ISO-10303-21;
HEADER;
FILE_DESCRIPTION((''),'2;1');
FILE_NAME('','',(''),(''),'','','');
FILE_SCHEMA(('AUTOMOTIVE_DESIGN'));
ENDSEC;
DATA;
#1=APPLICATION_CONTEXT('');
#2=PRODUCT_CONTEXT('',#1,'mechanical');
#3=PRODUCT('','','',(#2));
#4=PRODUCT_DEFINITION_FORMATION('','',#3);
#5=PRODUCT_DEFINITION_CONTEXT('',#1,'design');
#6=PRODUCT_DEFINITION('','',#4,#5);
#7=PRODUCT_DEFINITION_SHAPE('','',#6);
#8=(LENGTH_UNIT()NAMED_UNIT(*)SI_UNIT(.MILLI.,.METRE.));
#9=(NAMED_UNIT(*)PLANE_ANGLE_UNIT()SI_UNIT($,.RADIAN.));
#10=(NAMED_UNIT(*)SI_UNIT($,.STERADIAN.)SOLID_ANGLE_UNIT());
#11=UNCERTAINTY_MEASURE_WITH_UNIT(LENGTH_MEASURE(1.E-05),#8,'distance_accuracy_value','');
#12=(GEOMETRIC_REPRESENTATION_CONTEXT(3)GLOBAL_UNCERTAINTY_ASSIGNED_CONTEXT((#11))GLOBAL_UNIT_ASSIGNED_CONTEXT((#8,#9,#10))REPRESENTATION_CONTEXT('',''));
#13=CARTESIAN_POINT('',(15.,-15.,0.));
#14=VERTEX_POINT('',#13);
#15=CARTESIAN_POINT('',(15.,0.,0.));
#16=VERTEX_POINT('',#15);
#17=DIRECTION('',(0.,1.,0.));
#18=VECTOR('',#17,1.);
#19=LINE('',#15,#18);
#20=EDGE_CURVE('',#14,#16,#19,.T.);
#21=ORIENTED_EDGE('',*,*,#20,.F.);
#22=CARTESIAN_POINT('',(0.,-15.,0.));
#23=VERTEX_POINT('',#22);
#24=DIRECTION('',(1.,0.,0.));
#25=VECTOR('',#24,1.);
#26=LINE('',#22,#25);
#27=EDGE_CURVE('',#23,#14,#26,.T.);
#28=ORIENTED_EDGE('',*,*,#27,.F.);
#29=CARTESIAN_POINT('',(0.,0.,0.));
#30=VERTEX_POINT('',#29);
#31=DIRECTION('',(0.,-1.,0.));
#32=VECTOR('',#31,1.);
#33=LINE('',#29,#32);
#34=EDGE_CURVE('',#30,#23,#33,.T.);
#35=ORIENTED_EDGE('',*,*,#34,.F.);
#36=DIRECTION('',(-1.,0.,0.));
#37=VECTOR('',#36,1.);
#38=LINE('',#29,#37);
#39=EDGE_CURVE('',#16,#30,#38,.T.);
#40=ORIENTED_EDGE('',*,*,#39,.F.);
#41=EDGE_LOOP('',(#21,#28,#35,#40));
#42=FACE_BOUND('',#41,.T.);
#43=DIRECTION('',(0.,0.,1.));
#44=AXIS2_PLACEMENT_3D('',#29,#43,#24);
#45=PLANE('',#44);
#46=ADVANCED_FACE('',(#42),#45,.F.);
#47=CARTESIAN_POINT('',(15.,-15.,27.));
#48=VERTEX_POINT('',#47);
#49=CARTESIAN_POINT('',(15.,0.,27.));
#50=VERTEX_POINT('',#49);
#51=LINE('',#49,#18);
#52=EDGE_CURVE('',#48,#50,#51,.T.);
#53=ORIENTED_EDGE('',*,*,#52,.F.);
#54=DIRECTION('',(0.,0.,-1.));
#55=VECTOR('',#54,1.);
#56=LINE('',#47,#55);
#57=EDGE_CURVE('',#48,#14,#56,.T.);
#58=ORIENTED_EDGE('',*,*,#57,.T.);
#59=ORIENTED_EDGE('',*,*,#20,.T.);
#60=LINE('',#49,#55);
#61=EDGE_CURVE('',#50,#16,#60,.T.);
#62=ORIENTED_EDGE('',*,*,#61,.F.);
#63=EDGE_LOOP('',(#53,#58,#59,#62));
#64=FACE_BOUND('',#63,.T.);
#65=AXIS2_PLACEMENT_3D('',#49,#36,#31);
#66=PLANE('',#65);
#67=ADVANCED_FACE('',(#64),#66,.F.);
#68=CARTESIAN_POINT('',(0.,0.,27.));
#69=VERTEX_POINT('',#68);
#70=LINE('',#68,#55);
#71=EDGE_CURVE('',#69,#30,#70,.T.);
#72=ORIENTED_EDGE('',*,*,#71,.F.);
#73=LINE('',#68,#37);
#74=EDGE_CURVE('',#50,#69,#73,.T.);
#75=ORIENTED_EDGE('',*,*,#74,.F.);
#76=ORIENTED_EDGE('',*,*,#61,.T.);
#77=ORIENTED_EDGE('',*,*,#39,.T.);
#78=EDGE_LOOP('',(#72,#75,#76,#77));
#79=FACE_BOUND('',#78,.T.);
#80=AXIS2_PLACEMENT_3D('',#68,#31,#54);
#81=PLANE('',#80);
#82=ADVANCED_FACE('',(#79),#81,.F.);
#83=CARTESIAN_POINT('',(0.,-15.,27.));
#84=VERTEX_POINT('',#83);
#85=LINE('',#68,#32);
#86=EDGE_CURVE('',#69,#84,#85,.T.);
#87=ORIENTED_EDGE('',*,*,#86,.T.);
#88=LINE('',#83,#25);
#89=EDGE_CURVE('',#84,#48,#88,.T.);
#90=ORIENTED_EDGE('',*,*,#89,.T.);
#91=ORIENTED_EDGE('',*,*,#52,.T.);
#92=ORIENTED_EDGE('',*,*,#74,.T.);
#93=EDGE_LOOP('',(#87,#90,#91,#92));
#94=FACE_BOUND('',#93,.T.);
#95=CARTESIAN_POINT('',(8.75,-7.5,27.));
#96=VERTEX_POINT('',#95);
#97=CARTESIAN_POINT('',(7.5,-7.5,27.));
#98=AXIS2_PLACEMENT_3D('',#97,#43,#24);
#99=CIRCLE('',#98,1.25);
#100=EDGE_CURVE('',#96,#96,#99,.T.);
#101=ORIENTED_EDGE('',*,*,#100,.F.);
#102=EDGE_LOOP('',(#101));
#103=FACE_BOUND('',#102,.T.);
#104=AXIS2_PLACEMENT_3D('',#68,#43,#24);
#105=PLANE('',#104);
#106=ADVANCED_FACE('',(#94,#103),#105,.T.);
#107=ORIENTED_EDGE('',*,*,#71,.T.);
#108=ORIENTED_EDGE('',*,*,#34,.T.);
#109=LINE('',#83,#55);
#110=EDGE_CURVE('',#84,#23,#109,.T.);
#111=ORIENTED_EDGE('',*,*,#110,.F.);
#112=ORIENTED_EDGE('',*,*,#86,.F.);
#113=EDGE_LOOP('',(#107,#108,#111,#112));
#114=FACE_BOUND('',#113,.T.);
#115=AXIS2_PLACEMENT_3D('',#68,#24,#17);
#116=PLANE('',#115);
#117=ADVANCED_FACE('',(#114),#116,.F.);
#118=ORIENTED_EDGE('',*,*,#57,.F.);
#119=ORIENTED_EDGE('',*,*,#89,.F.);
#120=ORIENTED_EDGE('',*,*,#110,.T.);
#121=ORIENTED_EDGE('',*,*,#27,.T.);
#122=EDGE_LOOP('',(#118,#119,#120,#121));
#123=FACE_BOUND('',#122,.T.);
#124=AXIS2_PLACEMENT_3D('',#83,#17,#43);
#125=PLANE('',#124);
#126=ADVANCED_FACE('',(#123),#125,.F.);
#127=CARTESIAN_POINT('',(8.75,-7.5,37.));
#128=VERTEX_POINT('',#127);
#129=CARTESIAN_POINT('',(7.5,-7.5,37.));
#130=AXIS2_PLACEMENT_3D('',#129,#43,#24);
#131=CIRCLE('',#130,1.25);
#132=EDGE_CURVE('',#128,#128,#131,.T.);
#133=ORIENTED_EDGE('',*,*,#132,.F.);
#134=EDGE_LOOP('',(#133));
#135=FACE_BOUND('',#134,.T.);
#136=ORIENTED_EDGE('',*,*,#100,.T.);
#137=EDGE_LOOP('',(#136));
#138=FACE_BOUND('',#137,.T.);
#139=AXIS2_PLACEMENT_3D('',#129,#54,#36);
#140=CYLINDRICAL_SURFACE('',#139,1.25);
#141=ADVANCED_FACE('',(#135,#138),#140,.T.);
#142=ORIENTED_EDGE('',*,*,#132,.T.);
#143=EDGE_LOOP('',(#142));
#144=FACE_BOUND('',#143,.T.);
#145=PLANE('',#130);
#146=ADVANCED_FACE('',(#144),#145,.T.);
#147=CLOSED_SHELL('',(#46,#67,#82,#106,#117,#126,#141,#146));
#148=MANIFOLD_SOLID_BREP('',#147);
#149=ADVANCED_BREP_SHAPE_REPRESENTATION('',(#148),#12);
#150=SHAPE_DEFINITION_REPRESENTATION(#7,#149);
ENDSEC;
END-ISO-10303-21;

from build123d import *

# Parameters (mm, degrees)
SKETCH1_W           = 15
SKETCH1_H           = 15
BOSS_EXTRUDE1_DEPTH = 27
SKETCH2_R           = 1.25
BOSS_EXTRUDE2_DEPTH = 10


with BuildPart() as part:
    # Sketch1 → Boss-Extrude1 (new body)
    with BuildSketch(Plane.XY):
        with Locations((7.5, -7.5)):
            Rectangle(SKETCH1_W, SKETCH1_H)
    extrude(amount=BOSS_EXTRUDE1_DEPTH)

    # Sketch2 → Boss-Extrude2 (add)
    with BuildSketch(Plane.XY.offset(27)):
        with Locations((7.5, -7.5)):
            Circle(SKETCH2_R)
    extrude(amount=BOSS_EXTRUDE2_DEPTH)


solid = part.part
